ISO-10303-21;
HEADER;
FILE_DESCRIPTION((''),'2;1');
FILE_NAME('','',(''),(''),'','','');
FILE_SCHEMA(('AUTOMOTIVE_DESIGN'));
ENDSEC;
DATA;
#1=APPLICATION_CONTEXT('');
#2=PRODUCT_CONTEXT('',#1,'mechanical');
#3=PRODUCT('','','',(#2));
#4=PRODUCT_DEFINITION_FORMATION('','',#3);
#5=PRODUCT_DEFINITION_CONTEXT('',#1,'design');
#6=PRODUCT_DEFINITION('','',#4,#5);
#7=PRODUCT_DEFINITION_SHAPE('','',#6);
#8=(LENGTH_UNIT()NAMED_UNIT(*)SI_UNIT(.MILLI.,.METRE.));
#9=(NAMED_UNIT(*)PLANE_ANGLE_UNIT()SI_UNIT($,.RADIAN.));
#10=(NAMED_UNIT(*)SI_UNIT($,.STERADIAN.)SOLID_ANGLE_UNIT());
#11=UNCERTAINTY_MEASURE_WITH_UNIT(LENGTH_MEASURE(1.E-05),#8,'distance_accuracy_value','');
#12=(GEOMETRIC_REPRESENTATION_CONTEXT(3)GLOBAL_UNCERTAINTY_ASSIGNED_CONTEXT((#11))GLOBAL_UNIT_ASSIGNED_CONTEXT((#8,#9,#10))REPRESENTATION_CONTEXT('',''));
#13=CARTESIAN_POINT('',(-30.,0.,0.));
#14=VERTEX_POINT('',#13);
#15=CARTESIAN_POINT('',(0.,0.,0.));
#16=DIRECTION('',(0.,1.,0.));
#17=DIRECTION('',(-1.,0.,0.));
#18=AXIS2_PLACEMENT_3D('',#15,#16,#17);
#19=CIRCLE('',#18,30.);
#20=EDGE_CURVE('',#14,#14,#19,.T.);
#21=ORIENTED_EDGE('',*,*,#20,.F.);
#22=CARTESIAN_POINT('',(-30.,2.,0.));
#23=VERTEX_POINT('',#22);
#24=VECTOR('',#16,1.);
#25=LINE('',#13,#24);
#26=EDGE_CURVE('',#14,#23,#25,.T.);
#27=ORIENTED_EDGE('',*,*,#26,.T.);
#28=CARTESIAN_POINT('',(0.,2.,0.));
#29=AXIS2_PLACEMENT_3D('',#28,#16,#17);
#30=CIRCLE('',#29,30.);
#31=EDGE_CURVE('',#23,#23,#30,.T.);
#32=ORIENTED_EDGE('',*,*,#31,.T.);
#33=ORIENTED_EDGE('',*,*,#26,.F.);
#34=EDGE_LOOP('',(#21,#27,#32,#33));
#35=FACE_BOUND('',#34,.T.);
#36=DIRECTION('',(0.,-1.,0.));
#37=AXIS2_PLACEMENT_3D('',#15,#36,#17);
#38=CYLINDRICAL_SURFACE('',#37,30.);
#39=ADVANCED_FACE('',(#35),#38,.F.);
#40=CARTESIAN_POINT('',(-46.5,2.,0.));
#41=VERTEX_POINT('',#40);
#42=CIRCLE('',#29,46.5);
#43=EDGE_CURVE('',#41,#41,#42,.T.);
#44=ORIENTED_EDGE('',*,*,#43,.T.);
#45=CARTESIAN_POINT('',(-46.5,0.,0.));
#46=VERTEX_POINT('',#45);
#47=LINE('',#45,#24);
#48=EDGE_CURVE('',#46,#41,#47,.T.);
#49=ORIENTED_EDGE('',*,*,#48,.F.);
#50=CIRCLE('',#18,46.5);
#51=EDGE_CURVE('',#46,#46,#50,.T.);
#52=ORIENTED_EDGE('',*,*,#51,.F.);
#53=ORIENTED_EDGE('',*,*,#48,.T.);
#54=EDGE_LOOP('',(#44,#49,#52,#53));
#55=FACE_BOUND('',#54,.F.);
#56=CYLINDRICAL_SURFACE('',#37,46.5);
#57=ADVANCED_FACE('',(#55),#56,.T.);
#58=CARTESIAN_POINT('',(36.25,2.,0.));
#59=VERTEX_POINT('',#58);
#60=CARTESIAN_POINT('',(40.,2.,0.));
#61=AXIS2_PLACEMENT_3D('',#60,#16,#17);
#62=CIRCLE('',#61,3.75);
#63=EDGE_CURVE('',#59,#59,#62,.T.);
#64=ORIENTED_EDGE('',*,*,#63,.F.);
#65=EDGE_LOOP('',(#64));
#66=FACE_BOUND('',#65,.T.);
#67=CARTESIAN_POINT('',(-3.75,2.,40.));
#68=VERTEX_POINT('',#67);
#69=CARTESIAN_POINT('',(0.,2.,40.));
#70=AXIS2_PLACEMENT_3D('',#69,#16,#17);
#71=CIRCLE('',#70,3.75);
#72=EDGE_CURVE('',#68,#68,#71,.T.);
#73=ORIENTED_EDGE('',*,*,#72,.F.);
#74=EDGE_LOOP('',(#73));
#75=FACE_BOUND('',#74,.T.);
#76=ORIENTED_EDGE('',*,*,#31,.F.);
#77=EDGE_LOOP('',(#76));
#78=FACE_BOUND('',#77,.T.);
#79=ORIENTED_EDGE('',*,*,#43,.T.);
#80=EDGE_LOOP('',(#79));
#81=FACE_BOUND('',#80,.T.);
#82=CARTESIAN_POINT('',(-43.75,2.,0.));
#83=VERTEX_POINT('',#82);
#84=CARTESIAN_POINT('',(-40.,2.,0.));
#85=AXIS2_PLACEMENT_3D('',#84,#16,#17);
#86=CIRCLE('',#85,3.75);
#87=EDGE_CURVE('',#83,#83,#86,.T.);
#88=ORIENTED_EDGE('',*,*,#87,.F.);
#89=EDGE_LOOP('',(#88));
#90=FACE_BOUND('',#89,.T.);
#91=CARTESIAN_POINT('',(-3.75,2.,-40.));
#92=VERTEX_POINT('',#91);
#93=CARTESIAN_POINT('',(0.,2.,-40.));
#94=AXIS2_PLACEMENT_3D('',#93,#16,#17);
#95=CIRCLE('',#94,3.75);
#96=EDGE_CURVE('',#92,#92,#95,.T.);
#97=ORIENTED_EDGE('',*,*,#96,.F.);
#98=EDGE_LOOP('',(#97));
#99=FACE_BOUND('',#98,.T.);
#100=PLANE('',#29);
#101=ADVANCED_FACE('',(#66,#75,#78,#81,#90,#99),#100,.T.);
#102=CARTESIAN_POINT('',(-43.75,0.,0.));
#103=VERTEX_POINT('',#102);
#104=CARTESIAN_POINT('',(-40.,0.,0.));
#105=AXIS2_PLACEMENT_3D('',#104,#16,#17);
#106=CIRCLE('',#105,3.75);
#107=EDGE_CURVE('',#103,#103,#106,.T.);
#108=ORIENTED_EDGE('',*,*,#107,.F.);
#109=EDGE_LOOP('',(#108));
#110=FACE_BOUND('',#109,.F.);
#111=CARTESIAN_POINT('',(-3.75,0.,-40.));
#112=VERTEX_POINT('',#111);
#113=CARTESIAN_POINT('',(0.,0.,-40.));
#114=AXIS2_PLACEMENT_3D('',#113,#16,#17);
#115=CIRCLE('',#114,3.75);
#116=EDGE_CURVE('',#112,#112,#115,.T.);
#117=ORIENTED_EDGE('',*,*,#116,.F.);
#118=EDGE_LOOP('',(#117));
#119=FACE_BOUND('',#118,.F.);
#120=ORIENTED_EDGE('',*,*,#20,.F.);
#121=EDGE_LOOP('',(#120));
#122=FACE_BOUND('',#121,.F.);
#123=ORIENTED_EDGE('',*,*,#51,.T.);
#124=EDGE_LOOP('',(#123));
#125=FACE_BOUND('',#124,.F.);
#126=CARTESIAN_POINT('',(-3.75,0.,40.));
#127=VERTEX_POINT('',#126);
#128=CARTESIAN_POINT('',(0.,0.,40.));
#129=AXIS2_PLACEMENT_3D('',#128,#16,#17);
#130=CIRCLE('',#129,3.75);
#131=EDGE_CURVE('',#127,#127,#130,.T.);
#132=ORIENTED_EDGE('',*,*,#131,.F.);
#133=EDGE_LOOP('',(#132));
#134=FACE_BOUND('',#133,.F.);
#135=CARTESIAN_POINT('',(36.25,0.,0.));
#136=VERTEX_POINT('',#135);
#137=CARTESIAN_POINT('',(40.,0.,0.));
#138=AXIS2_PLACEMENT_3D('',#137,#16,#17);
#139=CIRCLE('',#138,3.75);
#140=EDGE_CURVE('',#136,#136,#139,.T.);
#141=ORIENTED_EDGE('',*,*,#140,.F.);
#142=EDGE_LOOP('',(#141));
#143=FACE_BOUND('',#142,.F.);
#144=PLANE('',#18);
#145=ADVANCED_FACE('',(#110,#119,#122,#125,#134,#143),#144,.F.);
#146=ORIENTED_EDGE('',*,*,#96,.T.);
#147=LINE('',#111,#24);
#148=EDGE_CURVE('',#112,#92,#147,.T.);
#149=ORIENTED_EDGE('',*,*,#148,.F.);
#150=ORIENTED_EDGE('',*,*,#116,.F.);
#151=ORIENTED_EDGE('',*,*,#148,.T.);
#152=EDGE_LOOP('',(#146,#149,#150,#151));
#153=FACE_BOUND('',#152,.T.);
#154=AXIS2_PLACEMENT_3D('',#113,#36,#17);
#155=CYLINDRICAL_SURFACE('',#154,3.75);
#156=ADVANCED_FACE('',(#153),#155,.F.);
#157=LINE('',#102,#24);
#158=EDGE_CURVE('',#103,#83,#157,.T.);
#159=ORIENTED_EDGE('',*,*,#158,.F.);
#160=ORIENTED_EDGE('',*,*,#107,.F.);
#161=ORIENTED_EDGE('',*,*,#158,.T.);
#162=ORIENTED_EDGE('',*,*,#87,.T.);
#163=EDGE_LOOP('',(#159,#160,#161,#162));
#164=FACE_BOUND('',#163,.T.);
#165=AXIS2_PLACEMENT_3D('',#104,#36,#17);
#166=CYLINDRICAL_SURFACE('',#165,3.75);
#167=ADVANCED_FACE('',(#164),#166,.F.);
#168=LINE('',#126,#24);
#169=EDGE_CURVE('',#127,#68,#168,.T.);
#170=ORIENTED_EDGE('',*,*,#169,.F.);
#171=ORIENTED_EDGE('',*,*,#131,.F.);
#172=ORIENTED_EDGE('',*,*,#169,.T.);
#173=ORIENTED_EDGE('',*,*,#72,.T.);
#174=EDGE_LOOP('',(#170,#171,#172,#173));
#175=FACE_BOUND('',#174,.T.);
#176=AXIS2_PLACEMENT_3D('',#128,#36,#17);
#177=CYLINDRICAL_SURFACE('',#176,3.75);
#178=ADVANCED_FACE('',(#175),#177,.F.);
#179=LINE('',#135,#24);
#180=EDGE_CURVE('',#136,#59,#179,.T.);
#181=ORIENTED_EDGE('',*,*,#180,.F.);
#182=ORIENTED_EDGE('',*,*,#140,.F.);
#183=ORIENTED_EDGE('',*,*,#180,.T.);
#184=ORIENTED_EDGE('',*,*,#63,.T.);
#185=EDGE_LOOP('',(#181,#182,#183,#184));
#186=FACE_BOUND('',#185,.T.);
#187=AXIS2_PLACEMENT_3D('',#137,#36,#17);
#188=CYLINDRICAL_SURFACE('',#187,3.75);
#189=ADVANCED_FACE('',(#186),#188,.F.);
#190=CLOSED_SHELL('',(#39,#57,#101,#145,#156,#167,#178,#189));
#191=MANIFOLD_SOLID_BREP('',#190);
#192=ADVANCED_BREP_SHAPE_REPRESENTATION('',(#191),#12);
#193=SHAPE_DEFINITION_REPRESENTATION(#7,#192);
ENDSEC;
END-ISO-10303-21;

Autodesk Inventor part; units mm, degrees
ref_plane "YZ Plane" through (0, 0, 0) normal (1, 0, 0) x (0, 1, 0)
ref_plane "XZ Plane" through (0, 0, 0) normal (0, 1, 0) x (-1, 0, 0)
ref_plane "XY Plane" through (0, 0, 0) normal (0, 0, 1) x (1, 0, 0)
sketch "Sketch1" plane through (0, 0, 0) normal (0, 1, 0) x (-1, 0, 0)
  circle A0 centre (0, 0) radius 52.7 construction
  circle A1 centre (0, 0) radius 55 construction
  circle A2 centre (0, 0) radius 57 construction
  circle A3 centre (0, 0) radius 30
  circle A4 centre (0, 0) radius 46.5
  circle A5 centre (0, 0) radius 40 construction
  circle A6 centre (40, 0) radius 3.75
  circle A7 centre (0, -40) radius 3.75
  circle A8 centre (-40, 0) radius 3.75
  circle A9 centre (0, 40) radius 3.75
  dimension "d0" = 105.4
  dimension "d1" = 110
  dimension "d2" = 114
  dimension "d3" = 60
  dimension "d4" = 93
  dimension "d5" = 80
  dimension "d6" = 7.5
  dimension "d7" = 7.5
  dimension "d8" = 7.5
  dimension "d9" = 7.5
extrude "Extrusion1" add sketch "Sketch1" along normal blind 2
properties part number "BiggerFanFlange"
